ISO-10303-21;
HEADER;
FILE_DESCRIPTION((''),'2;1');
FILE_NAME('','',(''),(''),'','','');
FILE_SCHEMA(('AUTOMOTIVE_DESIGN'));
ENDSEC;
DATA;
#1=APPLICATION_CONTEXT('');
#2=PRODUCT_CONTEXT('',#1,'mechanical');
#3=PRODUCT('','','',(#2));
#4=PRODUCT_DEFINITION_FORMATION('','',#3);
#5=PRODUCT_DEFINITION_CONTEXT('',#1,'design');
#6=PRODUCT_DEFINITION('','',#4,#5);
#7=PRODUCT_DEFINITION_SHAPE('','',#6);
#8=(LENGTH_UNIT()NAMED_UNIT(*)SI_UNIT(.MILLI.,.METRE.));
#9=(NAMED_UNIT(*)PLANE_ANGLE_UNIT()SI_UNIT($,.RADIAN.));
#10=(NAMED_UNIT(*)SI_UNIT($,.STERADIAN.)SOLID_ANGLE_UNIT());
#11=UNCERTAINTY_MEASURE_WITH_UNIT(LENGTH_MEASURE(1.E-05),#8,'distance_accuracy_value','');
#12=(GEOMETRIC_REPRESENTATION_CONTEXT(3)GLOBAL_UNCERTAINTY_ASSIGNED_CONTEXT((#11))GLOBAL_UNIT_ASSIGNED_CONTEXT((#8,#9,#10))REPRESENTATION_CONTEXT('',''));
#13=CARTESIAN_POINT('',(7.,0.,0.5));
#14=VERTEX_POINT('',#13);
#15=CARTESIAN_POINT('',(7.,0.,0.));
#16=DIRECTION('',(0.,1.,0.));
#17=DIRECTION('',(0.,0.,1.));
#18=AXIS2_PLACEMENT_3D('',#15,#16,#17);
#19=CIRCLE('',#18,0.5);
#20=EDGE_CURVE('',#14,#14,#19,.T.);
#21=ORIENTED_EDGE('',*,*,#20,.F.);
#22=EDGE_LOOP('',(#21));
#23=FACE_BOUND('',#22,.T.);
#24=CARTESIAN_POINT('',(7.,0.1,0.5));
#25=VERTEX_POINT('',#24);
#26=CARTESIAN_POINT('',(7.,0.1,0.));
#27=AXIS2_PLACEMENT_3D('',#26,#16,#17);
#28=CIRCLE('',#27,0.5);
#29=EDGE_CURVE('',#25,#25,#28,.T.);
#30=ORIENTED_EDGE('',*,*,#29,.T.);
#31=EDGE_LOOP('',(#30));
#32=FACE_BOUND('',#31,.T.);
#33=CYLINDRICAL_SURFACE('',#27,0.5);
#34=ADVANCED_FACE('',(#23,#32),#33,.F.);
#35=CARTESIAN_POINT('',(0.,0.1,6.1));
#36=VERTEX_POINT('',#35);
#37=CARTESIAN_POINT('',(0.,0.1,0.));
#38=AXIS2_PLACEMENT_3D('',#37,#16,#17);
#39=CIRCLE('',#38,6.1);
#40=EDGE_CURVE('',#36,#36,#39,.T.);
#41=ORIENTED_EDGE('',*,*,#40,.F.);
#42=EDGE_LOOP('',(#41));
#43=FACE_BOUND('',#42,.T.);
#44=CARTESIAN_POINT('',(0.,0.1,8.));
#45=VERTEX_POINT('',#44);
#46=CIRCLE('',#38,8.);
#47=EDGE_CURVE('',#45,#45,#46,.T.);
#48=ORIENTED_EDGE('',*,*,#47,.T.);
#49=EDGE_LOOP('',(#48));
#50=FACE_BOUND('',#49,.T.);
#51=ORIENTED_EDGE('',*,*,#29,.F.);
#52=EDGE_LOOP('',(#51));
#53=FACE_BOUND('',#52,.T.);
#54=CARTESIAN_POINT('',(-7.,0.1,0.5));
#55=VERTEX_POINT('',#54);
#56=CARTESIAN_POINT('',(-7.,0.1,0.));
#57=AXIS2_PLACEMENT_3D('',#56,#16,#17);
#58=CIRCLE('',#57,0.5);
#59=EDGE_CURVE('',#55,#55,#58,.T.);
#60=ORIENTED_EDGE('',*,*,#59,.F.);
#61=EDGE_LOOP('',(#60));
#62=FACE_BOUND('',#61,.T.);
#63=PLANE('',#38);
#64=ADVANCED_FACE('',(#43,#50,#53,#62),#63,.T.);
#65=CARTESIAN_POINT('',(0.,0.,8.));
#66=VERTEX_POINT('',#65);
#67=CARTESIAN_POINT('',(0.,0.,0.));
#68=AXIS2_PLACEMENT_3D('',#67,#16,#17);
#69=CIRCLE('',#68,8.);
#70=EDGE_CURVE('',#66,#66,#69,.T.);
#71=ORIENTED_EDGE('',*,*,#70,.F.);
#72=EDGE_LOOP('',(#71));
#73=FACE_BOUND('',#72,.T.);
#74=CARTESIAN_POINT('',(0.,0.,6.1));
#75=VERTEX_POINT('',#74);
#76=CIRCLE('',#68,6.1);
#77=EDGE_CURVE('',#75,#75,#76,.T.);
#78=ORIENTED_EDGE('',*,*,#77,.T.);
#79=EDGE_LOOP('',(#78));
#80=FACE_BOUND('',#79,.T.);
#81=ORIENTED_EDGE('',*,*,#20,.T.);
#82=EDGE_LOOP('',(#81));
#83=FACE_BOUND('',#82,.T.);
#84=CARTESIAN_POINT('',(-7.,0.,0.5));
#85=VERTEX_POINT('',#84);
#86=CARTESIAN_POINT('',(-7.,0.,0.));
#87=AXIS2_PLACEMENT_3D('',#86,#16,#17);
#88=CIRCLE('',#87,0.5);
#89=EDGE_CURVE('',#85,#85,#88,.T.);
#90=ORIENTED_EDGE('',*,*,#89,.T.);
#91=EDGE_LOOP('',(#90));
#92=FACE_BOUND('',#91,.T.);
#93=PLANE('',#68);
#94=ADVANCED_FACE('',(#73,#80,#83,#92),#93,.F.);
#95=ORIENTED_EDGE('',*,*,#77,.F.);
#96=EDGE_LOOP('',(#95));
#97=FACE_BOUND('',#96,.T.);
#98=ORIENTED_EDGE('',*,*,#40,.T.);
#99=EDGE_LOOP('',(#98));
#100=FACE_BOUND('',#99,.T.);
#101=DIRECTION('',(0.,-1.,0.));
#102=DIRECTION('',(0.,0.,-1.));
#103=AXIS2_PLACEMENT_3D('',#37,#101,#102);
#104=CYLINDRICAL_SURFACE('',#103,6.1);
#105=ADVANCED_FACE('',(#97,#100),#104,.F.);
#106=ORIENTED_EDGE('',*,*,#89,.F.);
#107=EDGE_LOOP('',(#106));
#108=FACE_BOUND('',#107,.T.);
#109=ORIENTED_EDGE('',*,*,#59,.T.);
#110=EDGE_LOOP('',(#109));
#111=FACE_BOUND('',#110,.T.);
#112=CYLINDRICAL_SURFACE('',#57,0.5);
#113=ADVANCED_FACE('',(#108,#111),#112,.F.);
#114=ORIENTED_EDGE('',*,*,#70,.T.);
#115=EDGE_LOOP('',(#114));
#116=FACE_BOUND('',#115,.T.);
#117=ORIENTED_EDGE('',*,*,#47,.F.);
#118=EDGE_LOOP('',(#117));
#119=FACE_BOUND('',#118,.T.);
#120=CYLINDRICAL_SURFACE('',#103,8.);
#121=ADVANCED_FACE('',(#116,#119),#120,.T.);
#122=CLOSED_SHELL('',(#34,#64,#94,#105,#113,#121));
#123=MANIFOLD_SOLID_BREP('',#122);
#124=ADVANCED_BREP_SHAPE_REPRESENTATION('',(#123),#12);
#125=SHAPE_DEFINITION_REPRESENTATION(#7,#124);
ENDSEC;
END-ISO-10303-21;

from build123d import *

# Parameters (mm, degrees)
SKETCH1_R                = 8
SKETCH1_R_2              = 6.1
BOSS_EXTRUDE1_DEPTH      = 0.1
F_1_0_1_DIAMETER_HOLE1_D = 1


with BuildPart() as part:
    # Sketch1 → Boss-Extrude1 (new body)
    with BuildSketch(Plane(origin=(0, 0, 0), x_dir=(1, 0, 0), z_dir=(0, 1, 0))):
        with Locations(Location((0, 0, 0), (0, 0, 270))):
            Circle(SKETCH1_R)
        with Locations(Location((0, 0, 0), (0, 0, 270))):
            Circle(SKETCH1_R_2, mode=Mode.SUBTRACT)
    extrude(amount=BOSS_EXTRUDE1_DEPTH)

    # Ø1.0 (1) Diameter Hole1 (through all)
    with Locations(Plane(origin=(0, 0.1, 0), x_dir=(1, 0, 0), z_dir=(0, 1, 0))):
        with Locations((-7, 0), (7, 0)):
            Hole(F_1_0_1_DIAMETER_HOLE1_D / 2)


solid = part.part
